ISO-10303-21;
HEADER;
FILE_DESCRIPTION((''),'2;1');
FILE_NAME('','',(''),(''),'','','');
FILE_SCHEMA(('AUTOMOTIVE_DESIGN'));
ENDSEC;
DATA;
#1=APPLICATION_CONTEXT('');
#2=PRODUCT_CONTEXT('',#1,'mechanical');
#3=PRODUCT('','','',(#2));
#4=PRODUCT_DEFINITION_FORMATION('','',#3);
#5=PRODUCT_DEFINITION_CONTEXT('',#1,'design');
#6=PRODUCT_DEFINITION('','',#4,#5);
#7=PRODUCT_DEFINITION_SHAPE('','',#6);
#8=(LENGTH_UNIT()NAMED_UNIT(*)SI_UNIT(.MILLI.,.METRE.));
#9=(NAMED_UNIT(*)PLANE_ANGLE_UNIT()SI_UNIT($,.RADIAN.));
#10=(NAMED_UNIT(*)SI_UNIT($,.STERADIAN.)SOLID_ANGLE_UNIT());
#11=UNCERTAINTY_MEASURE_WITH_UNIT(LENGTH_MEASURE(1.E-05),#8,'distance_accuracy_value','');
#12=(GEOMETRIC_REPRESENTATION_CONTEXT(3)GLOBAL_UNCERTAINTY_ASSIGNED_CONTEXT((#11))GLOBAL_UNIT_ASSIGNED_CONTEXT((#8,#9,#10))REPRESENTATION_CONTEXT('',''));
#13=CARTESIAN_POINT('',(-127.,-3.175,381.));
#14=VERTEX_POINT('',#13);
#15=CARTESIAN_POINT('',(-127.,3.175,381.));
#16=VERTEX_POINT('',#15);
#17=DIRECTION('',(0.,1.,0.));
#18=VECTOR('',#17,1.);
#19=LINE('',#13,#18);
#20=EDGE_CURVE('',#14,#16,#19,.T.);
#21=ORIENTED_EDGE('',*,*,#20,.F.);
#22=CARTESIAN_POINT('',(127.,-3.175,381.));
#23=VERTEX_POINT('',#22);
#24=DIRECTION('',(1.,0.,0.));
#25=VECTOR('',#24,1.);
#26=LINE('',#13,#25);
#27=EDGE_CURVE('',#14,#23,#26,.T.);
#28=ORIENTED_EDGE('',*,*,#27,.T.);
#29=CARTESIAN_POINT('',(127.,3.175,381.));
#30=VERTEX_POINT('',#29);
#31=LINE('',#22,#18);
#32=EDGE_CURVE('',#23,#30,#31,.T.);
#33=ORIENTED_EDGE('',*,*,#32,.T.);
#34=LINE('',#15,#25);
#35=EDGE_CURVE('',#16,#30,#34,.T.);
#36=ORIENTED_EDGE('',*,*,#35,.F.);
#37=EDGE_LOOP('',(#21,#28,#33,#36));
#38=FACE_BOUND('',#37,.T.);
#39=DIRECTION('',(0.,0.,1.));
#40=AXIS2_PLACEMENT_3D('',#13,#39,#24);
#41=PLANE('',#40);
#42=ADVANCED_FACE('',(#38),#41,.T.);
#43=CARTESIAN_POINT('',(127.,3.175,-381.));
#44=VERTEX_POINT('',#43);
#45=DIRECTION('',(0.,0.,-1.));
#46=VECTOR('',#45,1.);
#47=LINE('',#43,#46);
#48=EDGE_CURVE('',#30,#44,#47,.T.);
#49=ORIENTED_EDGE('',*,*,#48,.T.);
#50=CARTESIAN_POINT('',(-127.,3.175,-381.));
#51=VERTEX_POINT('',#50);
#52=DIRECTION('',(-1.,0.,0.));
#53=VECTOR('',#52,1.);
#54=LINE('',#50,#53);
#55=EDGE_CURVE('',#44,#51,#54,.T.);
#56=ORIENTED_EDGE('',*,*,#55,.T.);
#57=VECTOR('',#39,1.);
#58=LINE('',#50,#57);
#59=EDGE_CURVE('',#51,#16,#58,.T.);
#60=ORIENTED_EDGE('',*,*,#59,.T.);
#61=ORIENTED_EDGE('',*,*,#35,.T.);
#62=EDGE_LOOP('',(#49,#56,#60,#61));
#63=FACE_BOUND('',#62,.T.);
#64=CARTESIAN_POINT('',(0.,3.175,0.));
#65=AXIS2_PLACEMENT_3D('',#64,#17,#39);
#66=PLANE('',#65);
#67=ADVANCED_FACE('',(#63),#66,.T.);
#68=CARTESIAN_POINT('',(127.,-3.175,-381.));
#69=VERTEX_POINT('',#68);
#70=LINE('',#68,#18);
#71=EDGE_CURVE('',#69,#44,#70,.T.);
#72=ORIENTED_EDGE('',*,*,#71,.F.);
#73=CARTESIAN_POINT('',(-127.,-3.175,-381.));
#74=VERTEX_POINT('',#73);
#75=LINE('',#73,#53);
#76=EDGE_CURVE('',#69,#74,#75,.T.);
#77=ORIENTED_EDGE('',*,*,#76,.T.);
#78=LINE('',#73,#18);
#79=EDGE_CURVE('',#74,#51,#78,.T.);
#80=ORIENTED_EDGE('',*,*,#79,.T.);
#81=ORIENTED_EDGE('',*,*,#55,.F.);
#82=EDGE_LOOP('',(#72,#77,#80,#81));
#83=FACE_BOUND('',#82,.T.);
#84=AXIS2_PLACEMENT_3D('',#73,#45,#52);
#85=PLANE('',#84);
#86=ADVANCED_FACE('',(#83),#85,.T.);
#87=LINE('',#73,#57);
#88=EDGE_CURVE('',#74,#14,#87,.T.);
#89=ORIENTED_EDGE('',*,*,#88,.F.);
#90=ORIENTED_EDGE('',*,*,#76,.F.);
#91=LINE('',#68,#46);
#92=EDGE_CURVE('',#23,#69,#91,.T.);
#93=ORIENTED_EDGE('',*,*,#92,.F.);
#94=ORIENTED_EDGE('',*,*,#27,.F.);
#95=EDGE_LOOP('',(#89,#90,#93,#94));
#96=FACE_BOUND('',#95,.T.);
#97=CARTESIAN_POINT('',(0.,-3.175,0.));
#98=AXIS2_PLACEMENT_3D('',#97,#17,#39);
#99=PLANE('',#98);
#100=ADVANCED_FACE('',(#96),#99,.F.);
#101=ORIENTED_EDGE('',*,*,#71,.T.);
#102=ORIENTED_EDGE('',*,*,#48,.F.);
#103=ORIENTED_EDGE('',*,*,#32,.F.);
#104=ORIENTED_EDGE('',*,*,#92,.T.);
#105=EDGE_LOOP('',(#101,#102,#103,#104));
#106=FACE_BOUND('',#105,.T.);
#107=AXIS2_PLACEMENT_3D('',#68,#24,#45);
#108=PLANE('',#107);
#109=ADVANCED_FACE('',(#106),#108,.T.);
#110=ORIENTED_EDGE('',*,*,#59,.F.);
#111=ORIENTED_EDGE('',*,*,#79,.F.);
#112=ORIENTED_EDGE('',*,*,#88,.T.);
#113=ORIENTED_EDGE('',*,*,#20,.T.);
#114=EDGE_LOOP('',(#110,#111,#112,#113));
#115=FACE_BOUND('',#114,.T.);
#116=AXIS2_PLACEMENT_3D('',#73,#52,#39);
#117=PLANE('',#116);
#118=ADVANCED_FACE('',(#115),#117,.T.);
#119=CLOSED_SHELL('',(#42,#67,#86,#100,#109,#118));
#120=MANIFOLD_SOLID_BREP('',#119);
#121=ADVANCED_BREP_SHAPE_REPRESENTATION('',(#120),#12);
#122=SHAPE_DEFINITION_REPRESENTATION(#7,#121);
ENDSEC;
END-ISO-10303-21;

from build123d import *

# Parameters (mm, degrees)
BOSS_EXTRUDE1_DEPTH      = 3.175
BOSS_EXTRUDE1_DEPTH_BACK = 3.175
SKETCH1_W                = 254
SKETCH1_H                = 762


with BuildPart() as part:
    # Sketch1 → Boss-Extrude1 (new, two sides: drawn at the far end of the back side and taken through both)
    with BuildSketch(Plane(origin=(0, 0, 0), x_dir=(1, 0, 0), z_dir=(0, 1, 0)).offset(-BOSS_EXTRUDE1_DEPTH_BACK)):
        Rectangle(SKETCH1_W, SKETCH1_H)
    extrude(amount=BOSS_EXTRUDE1_DEPTH + BOSS_EXTRUDE1_DEPTH_BACK)


solid = part.part
